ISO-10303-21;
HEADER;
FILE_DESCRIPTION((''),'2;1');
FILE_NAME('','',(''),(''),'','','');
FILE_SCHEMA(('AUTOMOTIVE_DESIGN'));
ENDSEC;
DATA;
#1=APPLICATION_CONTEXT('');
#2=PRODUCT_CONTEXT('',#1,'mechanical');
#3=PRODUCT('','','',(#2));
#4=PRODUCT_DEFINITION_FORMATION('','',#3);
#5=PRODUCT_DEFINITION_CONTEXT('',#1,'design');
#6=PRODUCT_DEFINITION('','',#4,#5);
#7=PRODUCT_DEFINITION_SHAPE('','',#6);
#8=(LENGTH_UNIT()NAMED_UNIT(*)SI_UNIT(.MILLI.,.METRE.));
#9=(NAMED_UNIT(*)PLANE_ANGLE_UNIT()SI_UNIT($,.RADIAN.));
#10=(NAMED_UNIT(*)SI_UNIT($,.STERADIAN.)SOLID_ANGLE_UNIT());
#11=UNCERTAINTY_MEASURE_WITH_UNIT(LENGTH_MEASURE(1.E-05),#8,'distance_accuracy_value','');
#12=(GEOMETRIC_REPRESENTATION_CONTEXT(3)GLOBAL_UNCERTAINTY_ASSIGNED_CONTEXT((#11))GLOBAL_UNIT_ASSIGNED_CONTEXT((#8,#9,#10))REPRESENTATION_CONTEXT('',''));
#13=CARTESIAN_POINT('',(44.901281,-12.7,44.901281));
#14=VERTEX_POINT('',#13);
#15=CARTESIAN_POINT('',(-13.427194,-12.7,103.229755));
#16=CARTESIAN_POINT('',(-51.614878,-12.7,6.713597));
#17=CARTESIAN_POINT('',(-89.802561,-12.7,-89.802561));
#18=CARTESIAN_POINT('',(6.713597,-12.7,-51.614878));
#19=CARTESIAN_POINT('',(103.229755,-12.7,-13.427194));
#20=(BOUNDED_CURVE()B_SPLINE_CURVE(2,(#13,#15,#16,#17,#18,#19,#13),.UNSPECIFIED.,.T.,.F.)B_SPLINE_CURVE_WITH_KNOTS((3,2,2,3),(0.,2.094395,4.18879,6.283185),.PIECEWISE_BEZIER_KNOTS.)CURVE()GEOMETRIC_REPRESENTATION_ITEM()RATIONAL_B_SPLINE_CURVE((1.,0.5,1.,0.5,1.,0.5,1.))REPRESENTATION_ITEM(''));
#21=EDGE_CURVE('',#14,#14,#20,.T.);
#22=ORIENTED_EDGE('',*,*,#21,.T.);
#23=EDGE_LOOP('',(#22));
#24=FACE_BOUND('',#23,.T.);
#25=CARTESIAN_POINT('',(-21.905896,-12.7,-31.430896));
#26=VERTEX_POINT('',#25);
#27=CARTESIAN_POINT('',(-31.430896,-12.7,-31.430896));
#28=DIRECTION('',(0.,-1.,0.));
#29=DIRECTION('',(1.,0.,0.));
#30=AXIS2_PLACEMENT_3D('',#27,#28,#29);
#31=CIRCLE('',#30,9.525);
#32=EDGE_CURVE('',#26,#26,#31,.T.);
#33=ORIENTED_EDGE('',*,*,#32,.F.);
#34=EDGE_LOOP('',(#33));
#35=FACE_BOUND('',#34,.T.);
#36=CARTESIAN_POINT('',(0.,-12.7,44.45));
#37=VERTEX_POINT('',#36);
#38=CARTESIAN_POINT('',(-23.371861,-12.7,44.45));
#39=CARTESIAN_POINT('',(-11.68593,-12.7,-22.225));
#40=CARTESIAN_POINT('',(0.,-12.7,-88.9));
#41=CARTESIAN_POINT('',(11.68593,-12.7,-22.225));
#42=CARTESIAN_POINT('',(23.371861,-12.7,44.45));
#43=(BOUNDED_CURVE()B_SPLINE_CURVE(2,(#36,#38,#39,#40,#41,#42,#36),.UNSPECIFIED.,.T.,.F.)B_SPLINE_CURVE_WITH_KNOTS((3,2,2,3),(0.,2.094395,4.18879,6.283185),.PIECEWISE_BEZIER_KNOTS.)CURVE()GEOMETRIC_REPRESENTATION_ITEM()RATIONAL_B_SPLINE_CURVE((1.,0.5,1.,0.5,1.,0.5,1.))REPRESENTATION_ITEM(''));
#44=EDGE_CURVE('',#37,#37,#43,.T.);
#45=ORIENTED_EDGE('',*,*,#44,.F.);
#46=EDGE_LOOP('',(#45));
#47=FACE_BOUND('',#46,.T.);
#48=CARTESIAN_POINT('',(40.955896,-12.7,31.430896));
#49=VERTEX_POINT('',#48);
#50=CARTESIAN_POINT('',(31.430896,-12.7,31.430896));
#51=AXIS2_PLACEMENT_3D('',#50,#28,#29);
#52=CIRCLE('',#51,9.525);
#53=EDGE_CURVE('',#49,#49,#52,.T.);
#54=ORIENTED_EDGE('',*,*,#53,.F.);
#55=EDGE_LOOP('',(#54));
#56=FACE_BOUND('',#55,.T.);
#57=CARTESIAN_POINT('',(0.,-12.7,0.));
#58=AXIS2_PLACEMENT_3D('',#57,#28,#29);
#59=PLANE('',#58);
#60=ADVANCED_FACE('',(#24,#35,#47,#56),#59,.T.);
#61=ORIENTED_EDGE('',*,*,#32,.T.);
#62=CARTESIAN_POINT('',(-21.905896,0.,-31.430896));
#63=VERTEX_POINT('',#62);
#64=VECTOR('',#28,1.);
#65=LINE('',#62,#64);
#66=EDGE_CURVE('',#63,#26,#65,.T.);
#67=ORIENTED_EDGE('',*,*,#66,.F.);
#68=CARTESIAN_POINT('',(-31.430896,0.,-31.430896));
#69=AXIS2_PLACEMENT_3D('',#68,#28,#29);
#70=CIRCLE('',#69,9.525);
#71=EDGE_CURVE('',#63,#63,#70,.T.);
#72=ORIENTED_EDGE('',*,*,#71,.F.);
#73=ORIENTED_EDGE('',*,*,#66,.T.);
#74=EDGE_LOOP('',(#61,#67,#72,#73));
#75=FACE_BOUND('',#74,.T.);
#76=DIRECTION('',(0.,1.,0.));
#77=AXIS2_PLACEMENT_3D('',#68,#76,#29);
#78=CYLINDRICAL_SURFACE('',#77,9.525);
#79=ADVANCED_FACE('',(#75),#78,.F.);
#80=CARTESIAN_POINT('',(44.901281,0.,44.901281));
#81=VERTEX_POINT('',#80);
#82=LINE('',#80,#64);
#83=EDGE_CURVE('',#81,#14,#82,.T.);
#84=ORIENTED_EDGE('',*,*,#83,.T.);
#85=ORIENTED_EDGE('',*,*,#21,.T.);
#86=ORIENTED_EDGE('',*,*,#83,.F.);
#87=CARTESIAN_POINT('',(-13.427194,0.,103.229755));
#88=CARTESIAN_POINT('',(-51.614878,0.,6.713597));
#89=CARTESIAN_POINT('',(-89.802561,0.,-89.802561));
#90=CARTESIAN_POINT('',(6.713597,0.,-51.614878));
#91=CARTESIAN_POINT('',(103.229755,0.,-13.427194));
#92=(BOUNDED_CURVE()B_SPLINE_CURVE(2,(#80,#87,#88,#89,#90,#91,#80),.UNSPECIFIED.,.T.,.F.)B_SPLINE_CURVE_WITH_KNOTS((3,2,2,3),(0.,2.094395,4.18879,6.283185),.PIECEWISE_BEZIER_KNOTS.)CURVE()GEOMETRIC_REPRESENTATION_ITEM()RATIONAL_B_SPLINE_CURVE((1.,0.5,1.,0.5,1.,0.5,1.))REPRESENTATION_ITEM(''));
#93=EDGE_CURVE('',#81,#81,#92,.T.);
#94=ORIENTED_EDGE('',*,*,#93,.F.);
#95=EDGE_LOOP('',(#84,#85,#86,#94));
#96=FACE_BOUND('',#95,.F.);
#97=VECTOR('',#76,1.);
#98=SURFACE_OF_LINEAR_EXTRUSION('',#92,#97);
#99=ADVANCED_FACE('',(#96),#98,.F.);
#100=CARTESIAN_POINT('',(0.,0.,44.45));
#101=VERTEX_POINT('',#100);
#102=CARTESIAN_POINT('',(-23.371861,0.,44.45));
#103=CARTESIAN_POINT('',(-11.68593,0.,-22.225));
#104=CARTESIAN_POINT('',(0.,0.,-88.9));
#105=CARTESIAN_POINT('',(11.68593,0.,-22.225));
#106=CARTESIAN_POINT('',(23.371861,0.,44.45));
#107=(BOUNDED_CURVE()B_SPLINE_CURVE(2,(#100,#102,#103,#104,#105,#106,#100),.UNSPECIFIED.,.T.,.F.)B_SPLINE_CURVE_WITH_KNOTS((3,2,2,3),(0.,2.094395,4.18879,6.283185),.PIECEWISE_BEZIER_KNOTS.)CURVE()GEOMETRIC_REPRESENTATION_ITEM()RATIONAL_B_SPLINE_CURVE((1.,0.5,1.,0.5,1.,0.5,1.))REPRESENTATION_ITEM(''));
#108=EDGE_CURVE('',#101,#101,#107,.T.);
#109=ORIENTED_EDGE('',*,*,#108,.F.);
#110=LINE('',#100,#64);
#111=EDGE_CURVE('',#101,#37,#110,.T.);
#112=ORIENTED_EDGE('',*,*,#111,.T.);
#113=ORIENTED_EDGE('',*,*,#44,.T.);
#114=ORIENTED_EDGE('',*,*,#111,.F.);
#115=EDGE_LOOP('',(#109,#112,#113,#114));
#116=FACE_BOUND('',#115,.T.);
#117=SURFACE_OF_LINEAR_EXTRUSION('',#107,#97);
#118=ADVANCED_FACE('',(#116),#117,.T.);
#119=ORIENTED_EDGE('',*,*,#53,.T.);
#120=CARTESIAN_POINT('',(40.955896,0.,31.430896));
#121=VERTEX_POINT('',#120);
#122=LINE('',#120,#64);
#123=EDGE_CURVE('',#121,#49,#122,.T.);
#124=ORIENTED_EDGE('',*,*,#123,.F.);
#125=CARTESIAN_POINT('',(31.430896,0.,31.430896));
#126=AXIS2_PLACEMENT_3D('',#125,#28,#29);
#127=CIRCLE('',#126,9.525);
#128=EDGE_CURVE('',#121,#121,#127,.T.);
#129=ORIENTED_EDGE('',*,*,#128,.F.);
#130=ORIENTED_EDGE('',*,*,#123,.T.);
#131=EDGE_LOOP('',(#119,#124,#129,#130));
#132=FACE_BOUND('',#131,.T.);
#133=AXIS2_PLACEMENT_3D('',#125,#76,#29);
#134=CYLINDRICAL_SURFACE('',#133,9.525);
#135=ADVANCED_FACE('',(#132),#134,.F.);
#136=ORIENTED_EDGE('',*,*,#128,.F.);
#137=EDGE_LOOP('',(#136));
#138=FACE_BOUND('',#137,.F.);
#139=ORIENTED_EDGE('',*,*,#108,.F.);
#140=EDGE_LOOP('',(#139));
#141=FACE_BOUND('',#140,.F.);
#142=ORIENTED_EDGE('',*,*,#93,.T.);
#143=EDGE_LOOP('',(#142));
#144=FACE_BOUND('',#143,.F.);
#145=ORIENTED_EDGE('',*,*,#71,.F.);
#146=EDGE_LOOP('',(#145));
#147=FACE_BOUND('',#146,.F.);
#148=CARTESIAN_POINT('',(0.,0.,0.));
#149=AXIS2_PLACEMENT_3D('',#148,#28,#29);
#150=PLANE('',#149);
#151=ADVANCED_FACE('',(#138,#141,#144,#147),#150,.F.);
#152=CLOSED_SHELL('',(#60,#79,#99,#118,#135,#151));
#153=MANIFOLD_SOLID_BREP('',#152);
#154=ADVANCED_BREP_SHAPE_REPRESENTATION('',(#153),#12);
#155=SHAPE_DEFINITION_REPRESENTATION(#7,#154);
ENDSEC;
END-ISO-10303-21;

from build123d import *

# Parameters (mm, degrees)
F0_R     = 9.525
F1_DEPTH = 12.7


with BuildPart() as f1:
    # F0 (on Front) → F1 (new body)
    with BuildSketch(Plane.XZ):
        with BuildLine():
            add(Edge.make_bspline(
                [(44.901281, 44.901281), (-13.427194, 103.229755), (-51.614878, 6.713597), (-89.802561, -89.802561), (6.713597, -51.614878), (103.229755, -13.427194), (44.901281, 44.901281)],
                knots=[0, 0, 0, 2.094395, 2.094395, 4.18879, 4.18879, 6.283185, 6.283185, 6.283185], degree=2, weights=[1, 0.5, 1, 0.5, 1, 0.5, 1]))
        make_face()
        with Locations((-31.430896, -31.430896)):
            Circle(F0_R, mode=Mode.SUBTRACT)
        with BuildLine():
            add(Edge.make_bspline(
                [(0, 44.45), (-23.371861, 44.45), (-11.68593, -22.225), (0, -88.9), (11.68593, -22.225), (23.371861, 44.45), (0, 44.45)],
                knots=[0, 0, 0, 2.094395, 2.094395, 4.18879, 4.18879, 6.283185, 6.283185, 6.283185], degree=2, weights=[1, 0.5, 1, 0.5, 1, 0.5, 1]))
        make_face(mode=Mode.SUBTRACT)
        with Locations((31.430896, 31.430896)):
            Circle(F0_R, mode=Mode.SUBTRACT)
    extrude(amount=F1_DEPTH)


solid = f1.part
